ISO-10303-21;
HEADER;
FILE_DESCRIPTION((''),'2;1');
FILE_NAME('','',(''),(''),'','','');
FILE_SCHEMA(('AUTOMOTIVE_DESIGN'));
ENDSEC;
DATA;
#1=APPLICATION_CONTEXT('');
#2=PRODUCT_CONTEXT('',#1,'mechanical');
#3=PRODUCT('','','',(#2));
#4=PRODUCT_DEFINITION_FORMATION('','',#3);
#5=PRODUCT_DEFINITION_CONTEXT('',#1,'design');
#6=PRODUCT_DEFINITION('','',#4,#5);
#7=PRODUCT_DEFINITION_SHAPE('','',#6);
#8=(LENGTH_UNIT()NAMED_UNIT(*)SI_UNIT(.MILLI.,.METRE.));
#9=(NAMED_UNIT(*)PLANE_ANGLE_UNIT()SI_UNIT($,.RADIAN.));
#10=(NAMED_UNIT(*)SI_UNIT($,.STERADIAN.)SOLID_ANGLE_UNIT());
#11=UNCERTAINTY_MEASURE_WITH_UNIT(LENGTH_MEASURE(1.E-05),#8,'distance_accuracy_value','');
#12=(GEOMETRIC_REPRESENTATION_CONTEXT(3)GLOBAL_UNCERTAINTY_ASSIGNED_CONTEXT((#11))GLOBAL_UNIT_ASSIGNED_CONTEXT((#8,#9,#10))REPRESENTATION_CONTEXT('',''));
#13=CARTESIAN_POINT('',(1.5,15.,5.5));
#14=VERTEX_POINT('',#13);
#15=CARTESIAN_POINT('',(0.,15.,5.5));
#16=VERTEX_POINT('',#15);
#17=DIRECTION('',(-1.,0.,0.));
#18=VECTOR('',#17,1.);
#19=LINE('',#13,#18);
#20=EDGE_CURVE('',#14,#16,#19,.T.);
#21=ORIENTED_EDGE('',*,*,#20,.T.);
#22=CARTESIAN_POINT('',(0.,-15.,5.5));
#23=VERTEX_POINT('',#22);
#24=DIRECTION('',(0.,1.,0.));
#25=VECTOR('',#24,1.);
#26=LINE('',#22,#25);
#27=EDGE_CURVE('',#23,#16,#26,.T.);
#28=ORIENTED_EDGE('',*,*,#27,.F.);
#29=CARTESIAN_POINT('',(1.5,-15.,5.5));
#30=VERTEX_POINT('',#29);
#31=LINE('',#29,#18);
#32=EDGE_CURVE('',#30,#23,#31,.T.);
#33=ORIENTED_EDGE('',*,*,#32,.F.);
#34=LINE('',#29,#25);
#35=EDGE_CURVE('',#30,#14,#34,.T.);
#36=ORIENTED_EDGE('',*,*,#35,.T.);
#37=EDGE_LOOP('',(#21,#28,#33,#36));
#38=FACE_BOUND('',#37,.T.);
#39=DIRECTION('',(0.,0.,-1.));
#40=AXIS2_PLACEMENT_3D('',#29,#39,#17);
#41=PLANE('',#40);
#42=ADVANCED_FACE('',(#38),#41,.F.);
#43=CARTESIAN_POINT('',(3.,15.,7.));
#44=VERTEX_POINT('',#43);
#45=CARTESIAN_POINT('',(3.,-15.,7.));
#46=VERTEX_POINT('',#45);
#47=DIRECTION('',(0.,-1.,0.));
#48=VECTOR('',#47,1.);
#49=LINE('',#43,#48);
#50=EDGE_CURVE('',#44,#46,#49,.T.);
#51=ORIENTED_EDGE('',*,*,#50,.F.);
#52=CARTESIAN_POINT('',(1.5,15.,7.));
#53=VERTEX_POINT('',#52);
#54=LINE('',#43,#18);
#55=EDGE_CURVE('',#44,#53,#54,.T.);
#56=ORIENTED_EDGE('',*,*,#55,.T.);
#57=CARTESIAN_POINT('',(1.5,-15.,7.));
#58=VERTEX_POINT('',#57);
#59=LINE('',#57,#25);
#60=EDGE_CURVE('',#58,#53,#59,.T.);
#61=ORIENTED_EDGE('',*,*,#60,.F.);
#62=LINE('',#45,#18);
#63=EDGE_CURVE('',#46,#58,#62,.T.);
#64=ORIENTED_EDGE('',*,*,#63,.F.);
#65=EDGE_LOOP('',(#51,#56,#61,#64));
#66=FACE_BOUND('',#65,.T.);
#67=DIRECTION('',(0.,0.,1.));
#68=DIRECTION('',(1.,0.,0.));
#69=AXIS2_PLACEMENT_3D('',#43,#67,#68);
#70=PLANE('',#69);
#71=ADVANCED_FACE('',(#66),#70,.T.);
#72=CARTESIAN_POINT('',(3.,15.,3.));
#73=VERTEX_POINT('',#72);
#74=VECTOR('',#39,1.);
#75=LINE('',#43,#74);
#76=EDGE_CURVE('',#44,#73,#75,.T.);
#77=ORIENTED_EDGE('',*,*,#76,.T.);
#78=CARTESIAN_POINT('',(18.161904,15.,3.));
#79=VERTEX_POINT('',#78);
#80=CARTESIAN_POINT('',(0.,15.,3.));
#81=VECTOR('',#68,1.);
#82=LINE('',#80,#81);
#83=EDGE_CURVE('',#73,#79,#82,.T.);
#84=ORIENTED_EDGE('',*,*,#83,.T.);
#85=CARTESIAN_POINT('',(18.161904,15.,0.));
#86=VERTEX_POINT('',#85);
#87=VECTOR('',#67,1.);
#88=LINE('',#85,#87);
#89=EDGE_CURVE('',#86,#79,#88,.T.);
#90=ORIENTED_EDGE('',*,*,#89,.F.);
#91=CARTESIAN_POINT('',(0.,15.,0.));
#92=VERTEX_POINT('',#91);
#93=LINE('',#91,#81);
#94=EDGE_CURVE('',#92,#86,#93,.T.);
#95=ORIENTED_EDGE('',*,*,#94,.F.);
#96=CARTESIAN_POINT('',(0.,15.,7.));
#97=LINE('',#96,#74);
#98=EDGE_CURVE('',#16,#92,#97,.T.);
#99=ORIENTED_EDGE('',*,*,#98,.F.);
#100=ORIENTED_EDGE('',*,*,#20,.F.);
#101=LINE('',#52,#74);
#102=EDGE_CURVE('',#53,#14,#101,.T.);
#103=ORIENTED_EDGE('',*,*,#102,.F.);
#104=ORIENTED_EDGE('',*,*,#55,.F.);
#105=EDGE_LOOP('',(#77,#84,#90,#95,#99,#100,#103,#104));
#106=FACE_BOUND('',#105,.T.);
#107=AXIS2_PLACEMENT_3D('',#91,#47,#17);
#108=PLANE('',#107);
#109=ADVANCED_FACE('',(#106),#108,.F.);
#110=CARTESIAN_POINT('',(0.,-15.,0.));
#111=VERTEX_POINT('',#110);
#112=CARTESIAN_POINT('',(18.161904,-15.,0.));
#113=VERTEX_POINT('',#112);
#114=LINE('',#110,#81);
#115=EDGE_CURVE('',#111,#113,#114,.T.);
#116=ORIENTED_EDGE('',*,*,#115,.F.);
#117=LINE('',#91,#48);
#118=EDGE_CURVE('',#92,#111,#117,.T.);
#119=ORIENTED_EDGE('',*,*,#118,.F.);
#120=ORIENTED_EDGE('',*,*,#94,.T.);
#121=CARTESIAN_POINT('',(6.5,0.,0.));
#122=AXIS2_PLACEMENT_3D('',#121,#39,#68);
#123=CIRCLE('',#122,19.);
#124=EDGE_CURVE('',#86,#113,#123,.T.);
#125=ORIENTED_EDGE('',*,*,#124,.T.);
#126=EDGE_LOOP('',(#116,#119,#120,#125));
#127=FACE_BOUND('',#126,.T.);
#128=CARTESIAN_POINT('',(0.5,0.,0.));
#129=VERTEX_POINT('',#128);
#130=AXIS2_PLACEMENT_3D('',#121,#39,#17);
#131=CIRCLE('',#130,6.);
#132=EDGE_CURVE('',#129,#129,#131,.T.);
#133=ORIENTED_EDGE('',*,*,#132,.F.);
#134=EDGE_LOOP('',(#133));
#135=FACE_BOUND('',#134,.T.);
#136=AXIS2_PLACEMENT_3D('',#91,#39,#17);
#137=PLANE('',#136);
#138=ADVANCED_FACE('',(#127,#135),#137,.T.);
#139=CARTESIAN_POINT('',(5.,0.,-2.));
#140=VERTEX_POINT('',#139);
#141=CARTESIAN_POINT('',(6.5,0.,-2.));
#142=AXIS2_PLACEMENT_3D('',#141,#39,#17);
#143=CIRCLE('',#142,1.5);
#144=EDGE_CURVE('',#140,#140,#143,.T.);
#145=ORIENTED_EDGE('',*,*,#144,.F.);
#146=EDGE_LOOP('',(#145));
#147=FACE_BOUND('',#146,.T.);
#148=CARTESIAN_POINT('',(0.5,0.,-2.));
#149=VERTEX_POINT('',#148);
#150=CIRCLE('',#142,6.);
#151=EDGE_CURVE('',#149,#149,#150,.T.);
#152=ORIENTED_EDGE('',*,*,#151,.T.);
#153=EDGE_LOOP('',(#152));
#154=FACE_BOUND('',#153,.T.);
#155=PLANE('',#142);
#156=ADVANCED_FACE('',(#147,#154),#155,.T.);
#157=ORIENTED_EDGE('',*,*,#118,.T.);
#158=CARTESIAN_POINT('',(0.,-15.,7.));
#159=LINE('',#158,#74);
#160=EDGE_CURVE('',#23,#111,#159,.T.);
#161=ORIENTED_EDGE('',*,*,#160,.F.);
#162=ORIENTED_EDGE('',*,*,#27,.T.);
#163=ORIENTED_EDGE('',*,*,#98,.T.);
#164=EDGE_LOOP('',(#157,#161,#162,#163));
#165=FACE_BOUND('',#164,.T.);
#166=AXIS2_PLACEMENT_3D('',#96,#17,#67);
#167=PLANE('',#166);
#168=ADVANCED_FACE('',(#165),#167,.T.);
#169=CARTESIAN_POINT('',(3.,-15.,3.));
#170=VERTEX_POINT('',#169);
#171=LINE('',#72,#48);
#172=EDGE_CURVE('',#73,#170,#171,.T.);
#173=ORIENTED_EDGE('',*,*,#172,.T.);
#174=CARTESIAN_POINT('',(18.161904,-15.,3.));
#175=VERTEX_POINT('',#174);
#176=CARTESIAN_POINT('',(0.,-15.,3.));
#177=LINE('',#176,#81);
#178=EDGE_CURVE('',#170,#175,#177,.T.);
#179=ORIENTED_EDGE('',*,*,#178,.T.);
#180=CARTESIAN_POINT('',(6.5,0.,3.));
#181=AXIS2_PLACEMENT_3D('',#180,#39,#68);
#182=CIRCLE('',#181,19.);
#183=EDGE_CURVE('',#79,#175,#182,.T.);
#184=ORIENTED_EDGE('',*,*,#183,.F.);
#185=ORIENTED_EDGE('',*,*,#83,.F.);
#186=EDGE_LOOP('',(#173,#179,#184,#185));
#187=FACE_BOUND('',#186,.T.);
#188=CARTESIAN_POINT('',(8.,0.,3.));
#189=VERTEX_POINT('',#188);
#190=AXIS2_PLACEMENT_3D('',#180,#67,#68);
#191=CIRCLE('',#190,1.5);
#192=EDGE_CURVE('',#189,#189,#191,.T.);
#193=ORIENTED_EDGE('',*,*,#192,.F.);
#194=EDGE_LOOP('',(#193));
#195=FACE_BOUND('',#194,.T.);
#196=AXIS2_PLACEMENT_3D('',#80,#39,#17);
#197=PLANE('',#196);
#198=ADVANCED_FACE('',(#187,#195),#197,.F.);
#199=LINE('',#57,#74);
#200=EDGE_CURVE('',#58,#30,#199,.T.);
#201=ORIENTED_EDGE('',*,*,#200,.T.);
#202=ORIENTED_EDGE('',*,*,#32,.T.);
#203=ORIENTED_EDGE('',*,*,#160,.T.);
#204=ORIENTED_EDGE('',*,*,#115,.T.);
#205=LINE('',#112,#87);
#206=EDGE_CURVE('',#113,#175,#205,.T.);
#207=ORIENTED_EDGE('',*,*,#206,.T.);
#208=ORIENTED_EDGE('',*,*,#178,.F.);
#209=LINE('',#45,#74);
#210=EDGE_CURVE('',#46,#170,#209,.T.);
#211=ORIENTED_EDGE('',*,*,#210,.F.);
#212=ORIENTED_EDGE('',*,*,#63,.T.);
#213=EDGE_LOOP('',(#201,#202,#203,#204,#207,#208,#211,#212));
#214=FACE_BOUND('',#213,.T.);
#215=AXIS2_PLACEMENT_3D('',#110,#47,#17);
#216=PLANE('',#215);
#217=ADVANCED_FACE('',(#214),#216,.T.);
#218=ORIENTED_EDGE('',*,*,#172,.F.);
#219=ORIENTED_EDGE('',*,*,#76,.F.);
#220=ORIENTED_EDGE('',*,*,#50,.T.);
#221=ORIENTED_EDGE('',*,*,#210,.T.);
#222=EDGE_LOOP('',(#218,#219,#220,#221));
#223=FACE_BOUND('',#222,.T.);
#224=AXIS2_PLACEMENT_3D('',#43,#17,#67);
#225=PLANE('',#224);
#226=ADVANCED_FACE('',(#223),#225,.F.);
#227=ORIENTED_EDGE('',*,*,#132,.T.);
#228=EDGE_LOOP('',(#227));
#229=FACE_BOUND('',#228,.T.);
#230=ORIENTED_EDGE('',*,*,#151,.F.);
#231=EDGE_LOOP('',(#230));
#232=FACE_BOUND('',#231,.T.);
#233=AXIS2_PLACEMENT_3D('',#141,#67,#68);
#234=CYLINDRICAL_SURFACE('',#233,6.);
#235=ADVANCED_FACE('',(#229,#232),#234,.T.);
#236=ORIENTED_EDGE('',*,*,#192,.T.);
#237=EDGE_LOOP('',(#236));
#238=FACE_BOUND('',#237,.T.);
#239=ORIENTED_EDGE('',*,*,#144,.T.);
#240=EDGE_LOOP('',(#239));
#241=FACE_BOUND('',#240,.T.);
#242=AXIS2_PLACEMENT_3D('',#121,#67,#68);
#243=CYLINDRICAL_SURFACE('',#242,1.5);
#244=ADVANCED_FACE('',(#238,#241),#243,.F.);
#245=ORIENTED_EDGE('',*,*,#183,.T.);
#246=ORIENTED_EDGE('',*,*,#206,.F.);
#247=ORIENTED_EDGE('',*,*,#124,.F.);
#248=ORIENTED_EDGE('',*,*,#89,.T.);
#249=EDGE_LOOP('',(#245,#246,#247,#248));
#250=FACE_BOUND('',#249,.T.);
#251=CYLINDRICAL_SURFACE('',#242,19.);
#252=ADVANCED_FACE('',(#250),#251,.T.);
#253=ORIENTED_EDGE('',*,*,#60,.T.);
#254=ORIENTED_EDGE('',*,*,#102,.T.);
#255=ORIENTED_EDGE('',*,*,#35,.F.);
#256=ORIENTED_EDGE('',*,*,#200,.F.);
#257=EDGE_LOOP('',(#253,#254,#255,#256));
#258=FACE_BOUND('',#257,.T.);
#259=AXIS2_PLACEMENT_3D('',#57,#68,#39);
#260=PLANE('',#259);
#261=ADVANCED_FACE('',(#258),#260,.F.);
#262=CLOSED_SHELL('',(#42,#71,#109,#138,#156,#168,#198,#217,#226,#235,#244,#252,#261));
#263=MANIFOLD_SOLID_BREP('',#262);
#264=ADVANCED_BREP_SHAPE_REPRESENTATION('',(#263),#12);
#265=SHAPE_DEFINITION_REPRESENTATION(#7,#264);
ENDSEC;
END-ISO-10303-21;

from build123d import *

# Parameters (mm, degrees)
EXTRU_MINCE1_DEPTH      = 15
ESQUISSE2_R             = 1.5
ENL_V_MAT_EXTRU_1_DEPTH = 32.144823005
ESQUISSE3_W             = 1.5
ESQUISSE3_H             = 1.5
ENL_V_MAT_EXTRU_2_DEPTH = 40.990623901
ESQUISSE4_R             = 6
ESQUISSE4_R_2           = 1.5
BOSS_EXTRU_1_DEPTH      = 2


with BuildPart() as part:
    # Esquisse1 → Extru.-Mince1 (new, symmetric)
    with BuildSketch(Plane(origin=(0, 0, 0), x_dir=(1, 0, 0), z_dir=(0, 1, 0))):
        Polygon((0, -7), (0, 0), (27, 0), (27, -3), (3, -3), (3, -7), align=None)
    extrude(amount=EXTRU_MINCE1_DEPTH, both=True)

    # Esquisse2 → Enlèv. mat.-Extru.1 (cut, through all)
    with BuildSketch(Plane.XY.offset(3)):
        with Locations((6.5, 0)):
            Circle(ESQUISSE2_R)
        with BuildLine():
            Line((18.16190379, -15), (27, -15))
            Line((27, -15), (27, 15))
            Line((27, 15), (18.16190379, 15))
            ThreePointArc((18.16190379, 15), (25.5, 0), (18.16190379, -15))
        make_face()
    extrude(amount=-ENL_V_MAT_EXTRU_1_DEPTH, mode=Mode.SUBTRACT)

    # Esquisse3 → Enlèv. mat.-Extru.2 (cut, through all)
    with BuildSketch(Plane(origin=(0, 15, 0), x_dir=(1, 0, 0), z_dir=(0, 1, 0))):
        with Locations((0.75, -6.25)):
            Rectangle(ESQUISSE3_W, ESQUISSE3_H)
    extrude(amount=-ENL_V_MAT_EXTRU_2_DEPTH, mode=Mode.SUBTRACT)

    # Esquisse4 → Boss.-Extru.1 (add)
    with BuildSketch(Plane(origin=(0, 0, 0), x_dir=(-1, 0, 0), z_dir=(0, 0, -1))):
        with Locations((-6.5, 0)):
            Circle(ESQUISSE4_R)
        with Locations(Location((-6.5, 0, 0), (0, 0, 180))):
            Circle(ESQUISSE4_R_2, mode=Mode.SUBTRACT)
    extrude(amount=BOSS_EXTRU_1_DEPTH)


solid = part.part
